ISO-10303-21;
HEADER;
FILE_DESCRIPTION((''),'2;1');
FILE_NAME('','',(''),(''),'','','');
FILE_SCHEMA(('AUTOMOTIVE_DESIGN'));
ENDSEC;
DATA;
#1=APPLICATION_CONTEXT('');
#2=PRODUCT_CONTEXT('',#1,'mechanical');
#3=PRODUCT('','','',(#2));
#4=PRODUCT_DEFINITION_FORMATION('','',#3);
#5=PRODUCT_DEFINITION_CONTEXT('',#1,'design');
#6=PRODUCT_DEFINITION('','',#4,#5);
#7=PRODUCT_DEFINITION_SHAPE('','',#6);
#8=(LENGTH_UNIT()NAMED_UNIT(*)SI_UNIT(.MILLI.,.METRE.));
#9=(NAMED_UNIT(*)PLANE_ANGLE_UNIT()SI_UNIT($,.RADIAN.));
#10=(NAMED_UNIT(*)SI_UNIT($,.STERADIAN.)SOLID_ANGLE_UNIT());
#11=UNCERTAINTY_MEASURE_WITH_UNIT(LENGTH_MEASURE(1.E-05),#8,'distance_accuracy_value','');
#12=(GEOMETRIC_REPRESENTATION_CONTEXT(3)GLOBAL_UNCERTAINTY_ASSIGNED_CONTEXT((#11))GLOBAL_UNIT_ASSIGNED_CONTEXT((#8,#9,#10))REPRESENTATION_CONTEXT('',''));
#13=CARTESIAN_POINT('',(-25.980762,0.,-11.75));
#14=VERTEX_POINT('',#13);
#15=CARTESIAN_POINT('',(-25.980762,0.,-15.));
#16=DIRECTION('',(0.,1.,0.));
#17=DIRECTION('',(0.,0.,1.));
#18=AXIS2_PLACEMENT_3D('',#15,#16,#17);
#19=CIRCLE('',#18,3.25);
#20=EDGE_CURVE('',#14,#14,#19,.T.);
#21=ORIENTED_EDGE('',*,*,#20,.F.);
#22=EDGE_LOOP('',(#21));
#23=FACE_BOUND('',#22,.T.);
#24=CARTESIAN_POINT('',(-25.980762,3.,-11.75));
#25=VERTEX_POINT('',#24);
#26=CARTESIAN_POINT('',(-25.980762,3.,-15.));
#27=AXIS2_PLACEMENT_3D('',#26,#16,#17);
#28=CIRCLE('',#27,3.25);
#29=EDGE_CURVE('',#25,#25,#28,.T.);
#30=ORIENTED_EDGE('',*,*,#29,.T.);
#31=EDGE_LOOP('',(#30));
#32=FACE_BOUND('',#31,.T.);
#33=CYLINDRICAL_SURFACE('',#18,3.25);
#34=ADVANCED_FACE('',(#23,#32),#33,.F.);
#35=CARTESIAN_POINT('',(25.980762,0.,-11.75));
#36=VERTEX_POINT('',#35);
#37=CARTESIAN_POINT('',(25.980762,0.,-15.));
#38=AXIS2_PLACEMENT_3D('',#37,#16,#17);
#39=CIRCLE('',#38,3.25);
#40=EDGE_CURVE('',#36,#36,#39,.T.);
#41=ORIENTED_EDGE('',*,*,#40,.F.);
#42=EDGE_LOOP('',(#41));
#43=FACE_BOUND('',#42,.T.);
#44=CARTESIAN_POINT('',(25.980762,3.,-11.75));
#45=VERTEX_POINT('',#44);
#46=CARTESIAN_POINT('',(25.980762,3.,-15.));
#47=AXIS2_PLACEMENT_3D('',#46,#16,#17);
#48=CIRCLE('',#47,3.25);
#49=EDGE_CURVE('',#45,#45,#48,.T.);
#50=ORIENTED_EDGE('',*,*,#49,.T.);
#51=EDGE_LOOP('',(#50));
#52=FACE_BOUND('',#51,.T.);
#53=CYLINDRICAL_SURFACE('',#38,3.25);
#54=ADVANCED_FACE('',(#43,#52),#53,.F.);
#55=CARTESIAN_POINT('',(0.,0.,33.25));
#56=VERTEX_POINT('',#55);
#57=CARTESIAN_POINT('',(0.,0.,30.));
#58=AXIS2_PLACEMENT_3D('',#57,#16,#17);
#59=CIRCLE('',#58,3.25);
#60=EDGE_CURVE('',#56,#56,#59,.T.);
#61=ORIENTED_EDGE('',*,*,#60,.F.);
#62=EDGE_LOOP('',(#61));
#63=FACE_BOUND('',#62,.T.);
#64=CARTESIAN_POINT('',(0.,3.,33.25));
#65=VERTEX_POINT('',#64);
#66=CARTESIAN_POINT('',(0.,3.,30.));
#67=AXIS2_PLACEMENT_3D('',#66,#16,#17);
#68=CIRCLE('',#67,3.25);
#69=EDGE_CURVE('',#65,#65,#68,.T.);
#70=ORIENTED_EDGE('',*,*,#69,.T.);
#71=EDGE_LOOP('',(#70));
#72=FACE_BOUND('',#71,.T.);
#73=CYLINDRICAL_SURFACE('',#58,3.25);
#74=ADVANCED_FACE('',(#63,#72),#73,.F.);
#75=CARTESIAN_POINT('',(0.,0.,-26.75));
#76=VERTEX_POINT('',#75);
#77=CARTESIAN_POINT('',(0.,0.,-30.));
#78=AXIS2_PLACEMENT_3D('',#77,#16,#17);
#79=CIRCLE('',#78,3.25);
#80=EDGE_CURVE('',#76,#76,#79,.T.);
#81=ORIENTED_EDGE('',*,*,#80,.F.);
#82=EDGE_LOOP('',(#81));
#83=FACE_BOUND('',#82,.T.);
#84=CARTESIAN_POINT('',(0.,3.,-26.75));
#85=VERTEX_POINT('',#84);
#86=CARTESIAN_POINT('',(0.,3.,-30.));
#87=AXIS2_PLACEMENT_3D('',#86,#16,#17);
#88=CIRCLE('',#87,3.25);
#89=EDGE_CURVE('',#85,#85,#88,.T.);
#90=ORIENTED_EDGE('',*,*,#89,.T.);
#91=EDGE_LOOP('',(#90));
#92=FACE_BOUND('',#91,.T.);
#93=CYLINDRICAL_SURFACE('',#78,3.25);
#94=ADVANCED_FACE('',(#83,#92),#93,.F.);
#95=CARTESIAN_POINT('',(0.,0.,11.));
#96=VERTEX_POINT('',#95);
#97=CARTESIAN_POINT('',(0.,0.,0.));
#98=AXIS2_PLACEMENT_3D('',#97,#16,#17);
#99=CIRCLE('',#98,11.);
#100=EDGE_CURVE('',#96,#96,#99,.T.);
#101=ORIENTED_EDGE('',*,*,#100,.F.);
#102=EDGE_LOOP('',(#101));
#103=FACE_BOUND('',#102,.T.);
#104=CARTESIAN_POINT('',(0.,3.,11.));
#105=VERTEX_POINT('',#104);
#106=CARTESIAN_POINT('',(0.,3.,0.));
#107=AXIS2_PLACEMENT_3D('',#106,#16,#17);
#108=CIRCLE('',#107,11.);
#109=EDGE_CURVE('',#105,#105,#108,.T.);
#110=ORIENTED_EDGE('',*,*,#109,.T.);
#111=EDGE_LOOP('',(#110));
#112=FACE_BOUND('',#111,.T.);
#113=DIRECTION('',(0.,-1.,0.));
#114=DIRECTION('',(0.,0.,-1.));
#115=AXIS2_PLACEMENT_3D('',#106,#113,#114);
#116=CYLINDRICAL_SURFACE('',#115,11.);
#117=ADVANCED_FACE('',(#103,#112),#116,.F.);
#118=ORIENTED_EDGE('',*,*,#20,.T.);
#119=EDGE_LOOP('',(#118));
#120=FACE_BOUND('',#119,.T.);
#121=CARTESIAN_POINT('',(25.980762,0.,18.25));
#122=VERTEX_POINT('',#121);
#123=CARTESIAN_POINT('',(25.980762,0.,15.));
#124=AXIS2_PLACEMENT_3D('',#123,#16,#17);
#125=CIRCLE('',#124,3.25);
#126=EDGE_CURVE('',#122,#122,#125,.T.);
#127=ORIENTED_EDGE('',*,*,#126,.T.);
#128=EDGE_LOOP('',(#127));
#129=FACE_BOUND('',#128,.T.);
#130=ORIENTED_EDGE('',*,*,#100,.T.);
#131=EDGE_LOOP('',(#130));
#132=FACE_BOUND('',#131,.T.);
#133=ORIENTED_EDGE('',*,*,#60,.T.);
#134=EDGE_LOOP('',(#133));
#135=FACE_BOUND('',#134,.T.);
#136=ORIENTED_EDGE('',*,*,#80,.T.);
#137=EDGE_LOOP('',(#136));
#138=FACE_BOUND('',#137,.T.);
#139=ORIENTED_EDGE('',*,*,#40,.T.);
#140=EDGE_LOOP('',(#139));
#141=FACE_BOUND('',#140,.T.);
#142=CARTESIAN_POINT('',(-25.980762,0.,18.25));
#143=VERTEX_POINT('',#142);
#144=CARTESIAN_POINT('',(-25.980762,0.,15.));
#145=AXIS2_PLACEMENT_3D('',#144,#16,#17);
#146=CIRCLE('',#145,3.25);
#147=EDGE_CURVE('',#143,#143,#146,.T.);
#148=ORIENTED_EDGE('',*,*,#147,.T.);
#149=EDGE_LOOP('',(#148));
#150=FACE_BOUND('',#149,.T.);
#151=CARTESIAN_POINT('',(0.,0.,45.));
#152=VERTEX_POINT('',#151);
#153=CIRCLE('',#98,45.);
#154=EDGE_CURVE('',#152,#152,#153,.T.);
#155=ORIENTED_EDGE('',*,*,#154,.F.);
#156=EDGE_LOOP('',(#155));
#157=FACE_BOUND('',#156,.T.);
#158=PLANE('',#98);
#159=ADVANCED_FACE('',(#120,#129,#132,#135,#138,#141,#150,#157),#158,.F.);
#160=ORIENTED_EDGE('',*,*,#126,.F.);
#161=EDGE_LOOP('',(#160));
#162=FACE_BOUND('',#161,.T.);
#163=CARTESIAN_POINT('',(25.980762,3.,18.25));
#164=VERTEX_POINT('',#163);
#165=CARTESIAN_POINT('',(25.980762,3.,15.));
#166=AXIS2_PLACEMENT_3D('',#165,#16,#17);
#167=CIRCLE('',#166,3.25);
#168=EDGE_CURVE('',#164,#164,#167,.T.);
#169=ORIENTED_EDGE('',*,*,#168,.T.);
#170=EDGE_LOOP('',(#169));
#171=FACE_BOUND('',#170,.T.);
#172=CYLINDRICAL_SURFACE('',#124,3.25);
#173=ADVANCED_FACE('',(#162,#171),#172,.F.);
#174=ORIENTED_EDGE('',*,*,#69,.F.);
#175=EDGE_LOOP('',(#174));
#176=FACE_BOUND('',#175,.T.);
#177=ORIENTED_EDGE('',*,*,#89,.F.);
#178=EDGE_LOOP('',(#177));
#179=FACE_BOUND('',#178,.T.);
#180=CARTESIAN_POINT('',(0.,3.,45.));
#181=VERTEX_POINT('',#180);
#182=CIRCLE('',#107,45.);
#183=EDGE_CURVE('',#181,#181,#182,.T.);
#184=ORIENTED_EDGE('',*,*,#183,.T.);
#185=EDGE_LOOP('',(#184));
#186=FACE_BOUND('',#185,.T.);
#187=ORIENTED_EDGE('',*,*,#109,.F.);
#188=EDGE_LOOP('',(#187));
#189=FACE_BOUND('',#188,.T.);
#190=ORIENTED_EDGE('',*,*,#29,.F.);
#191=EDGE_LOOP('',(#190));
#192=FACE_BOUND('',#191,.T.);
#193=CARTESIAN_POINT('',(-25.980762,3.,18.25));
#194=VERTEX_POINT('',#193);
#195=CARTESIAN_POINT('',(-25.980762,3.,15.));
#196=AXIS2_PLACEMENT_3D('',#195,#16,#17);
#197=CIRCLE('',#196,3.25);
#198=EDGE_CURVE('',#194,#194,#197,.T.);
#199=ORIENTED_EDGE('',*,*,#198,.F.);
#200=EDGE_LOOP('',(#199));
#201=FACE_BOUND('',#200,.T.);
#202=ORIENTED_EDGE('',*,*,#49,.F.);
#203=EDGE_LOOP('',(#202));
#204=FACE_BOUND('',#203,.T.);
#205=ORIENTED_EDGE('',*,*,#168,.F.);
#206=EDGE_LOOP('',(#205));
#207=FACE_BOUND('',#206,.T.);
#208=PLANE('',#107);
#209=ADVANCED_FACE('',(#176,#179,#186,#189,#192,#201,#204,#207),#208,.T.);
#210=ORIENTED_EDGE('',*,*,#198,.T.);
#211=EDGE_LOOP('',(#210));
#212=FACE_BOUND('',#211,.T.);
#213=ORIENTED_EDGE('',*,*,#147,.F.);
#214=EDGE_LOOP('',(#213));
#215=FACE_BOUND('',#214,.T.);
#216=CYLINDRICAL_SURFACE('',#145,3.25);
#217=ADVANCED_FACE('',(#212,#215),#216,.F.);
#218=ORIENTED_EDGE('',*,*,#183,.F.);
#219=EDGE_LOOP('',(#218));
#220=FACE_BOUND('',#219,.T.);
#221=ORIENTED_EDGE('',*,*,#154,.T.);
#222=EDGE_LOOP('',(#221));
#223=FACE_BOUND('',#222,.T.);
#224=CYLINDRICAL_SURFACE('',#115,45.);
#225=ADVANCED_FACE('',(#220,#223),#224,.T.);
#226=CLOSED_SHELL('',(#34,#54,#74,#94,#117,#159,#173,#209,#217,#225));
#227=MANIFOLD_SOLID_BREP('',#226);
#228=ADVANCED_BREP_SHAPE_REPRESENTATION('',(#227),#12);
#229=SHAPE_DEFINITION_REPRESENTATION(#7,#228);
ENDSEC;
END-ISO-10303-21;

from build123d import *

# Parameters (mm, degrees)
CROQUIS1_R              = 45
CROQUIS1_R_2            = 11
SALIENTE_EXTRUIR1_DEPTH = 3
CROQUIS2_R              = 3.25
CORTAR_EXTRUIR1_DEPTH   = 4


with BuildPart() as part:
    # Croquis1 → Saliente-Extruir1 (new body)
    with BuildSketch(Plane(origin=(0, 0, 0), x_dir=(1, 0, 0), z_dir=(0, 1, 0))):
        Circle(CROQUIS1_R)
        Circle(CROQUIS1_R_2, mode=Mode.SUBTRACT)
    extrude(amount=SALIENTE_EXTRUIR1_DEPTH)

    # Croquis2 → Cortar-Extruir1 (cut, through all)
    with BuildSketch(Plane(origin=(0, 3, 0), x_dir=(1, 0, 0), z_dir=(0, 1, 0))):
        with Locations((0, 30)):
            Circle(CROQUIS2_R)
        with Locations((25.980762114, 15)):
            Circle(CROQUIS2_R)
        with Locations((25.980762114, -15)):
            Circle(CROQUIS2_R)
        with Locations((0, -30)):
            Circle(CROQUIS2_R)
        with Locations((-25.980762114, -15)):
            Circle(CROQUIS2_R)
        with Locations((-25.980762114, 15)):
            Circle(CROQUIS2_R)
    extrude(amount=-CORTAR_EXTRUIR1_DEPTH, mode=Mode.SUBTRACT)


solid = part.part
